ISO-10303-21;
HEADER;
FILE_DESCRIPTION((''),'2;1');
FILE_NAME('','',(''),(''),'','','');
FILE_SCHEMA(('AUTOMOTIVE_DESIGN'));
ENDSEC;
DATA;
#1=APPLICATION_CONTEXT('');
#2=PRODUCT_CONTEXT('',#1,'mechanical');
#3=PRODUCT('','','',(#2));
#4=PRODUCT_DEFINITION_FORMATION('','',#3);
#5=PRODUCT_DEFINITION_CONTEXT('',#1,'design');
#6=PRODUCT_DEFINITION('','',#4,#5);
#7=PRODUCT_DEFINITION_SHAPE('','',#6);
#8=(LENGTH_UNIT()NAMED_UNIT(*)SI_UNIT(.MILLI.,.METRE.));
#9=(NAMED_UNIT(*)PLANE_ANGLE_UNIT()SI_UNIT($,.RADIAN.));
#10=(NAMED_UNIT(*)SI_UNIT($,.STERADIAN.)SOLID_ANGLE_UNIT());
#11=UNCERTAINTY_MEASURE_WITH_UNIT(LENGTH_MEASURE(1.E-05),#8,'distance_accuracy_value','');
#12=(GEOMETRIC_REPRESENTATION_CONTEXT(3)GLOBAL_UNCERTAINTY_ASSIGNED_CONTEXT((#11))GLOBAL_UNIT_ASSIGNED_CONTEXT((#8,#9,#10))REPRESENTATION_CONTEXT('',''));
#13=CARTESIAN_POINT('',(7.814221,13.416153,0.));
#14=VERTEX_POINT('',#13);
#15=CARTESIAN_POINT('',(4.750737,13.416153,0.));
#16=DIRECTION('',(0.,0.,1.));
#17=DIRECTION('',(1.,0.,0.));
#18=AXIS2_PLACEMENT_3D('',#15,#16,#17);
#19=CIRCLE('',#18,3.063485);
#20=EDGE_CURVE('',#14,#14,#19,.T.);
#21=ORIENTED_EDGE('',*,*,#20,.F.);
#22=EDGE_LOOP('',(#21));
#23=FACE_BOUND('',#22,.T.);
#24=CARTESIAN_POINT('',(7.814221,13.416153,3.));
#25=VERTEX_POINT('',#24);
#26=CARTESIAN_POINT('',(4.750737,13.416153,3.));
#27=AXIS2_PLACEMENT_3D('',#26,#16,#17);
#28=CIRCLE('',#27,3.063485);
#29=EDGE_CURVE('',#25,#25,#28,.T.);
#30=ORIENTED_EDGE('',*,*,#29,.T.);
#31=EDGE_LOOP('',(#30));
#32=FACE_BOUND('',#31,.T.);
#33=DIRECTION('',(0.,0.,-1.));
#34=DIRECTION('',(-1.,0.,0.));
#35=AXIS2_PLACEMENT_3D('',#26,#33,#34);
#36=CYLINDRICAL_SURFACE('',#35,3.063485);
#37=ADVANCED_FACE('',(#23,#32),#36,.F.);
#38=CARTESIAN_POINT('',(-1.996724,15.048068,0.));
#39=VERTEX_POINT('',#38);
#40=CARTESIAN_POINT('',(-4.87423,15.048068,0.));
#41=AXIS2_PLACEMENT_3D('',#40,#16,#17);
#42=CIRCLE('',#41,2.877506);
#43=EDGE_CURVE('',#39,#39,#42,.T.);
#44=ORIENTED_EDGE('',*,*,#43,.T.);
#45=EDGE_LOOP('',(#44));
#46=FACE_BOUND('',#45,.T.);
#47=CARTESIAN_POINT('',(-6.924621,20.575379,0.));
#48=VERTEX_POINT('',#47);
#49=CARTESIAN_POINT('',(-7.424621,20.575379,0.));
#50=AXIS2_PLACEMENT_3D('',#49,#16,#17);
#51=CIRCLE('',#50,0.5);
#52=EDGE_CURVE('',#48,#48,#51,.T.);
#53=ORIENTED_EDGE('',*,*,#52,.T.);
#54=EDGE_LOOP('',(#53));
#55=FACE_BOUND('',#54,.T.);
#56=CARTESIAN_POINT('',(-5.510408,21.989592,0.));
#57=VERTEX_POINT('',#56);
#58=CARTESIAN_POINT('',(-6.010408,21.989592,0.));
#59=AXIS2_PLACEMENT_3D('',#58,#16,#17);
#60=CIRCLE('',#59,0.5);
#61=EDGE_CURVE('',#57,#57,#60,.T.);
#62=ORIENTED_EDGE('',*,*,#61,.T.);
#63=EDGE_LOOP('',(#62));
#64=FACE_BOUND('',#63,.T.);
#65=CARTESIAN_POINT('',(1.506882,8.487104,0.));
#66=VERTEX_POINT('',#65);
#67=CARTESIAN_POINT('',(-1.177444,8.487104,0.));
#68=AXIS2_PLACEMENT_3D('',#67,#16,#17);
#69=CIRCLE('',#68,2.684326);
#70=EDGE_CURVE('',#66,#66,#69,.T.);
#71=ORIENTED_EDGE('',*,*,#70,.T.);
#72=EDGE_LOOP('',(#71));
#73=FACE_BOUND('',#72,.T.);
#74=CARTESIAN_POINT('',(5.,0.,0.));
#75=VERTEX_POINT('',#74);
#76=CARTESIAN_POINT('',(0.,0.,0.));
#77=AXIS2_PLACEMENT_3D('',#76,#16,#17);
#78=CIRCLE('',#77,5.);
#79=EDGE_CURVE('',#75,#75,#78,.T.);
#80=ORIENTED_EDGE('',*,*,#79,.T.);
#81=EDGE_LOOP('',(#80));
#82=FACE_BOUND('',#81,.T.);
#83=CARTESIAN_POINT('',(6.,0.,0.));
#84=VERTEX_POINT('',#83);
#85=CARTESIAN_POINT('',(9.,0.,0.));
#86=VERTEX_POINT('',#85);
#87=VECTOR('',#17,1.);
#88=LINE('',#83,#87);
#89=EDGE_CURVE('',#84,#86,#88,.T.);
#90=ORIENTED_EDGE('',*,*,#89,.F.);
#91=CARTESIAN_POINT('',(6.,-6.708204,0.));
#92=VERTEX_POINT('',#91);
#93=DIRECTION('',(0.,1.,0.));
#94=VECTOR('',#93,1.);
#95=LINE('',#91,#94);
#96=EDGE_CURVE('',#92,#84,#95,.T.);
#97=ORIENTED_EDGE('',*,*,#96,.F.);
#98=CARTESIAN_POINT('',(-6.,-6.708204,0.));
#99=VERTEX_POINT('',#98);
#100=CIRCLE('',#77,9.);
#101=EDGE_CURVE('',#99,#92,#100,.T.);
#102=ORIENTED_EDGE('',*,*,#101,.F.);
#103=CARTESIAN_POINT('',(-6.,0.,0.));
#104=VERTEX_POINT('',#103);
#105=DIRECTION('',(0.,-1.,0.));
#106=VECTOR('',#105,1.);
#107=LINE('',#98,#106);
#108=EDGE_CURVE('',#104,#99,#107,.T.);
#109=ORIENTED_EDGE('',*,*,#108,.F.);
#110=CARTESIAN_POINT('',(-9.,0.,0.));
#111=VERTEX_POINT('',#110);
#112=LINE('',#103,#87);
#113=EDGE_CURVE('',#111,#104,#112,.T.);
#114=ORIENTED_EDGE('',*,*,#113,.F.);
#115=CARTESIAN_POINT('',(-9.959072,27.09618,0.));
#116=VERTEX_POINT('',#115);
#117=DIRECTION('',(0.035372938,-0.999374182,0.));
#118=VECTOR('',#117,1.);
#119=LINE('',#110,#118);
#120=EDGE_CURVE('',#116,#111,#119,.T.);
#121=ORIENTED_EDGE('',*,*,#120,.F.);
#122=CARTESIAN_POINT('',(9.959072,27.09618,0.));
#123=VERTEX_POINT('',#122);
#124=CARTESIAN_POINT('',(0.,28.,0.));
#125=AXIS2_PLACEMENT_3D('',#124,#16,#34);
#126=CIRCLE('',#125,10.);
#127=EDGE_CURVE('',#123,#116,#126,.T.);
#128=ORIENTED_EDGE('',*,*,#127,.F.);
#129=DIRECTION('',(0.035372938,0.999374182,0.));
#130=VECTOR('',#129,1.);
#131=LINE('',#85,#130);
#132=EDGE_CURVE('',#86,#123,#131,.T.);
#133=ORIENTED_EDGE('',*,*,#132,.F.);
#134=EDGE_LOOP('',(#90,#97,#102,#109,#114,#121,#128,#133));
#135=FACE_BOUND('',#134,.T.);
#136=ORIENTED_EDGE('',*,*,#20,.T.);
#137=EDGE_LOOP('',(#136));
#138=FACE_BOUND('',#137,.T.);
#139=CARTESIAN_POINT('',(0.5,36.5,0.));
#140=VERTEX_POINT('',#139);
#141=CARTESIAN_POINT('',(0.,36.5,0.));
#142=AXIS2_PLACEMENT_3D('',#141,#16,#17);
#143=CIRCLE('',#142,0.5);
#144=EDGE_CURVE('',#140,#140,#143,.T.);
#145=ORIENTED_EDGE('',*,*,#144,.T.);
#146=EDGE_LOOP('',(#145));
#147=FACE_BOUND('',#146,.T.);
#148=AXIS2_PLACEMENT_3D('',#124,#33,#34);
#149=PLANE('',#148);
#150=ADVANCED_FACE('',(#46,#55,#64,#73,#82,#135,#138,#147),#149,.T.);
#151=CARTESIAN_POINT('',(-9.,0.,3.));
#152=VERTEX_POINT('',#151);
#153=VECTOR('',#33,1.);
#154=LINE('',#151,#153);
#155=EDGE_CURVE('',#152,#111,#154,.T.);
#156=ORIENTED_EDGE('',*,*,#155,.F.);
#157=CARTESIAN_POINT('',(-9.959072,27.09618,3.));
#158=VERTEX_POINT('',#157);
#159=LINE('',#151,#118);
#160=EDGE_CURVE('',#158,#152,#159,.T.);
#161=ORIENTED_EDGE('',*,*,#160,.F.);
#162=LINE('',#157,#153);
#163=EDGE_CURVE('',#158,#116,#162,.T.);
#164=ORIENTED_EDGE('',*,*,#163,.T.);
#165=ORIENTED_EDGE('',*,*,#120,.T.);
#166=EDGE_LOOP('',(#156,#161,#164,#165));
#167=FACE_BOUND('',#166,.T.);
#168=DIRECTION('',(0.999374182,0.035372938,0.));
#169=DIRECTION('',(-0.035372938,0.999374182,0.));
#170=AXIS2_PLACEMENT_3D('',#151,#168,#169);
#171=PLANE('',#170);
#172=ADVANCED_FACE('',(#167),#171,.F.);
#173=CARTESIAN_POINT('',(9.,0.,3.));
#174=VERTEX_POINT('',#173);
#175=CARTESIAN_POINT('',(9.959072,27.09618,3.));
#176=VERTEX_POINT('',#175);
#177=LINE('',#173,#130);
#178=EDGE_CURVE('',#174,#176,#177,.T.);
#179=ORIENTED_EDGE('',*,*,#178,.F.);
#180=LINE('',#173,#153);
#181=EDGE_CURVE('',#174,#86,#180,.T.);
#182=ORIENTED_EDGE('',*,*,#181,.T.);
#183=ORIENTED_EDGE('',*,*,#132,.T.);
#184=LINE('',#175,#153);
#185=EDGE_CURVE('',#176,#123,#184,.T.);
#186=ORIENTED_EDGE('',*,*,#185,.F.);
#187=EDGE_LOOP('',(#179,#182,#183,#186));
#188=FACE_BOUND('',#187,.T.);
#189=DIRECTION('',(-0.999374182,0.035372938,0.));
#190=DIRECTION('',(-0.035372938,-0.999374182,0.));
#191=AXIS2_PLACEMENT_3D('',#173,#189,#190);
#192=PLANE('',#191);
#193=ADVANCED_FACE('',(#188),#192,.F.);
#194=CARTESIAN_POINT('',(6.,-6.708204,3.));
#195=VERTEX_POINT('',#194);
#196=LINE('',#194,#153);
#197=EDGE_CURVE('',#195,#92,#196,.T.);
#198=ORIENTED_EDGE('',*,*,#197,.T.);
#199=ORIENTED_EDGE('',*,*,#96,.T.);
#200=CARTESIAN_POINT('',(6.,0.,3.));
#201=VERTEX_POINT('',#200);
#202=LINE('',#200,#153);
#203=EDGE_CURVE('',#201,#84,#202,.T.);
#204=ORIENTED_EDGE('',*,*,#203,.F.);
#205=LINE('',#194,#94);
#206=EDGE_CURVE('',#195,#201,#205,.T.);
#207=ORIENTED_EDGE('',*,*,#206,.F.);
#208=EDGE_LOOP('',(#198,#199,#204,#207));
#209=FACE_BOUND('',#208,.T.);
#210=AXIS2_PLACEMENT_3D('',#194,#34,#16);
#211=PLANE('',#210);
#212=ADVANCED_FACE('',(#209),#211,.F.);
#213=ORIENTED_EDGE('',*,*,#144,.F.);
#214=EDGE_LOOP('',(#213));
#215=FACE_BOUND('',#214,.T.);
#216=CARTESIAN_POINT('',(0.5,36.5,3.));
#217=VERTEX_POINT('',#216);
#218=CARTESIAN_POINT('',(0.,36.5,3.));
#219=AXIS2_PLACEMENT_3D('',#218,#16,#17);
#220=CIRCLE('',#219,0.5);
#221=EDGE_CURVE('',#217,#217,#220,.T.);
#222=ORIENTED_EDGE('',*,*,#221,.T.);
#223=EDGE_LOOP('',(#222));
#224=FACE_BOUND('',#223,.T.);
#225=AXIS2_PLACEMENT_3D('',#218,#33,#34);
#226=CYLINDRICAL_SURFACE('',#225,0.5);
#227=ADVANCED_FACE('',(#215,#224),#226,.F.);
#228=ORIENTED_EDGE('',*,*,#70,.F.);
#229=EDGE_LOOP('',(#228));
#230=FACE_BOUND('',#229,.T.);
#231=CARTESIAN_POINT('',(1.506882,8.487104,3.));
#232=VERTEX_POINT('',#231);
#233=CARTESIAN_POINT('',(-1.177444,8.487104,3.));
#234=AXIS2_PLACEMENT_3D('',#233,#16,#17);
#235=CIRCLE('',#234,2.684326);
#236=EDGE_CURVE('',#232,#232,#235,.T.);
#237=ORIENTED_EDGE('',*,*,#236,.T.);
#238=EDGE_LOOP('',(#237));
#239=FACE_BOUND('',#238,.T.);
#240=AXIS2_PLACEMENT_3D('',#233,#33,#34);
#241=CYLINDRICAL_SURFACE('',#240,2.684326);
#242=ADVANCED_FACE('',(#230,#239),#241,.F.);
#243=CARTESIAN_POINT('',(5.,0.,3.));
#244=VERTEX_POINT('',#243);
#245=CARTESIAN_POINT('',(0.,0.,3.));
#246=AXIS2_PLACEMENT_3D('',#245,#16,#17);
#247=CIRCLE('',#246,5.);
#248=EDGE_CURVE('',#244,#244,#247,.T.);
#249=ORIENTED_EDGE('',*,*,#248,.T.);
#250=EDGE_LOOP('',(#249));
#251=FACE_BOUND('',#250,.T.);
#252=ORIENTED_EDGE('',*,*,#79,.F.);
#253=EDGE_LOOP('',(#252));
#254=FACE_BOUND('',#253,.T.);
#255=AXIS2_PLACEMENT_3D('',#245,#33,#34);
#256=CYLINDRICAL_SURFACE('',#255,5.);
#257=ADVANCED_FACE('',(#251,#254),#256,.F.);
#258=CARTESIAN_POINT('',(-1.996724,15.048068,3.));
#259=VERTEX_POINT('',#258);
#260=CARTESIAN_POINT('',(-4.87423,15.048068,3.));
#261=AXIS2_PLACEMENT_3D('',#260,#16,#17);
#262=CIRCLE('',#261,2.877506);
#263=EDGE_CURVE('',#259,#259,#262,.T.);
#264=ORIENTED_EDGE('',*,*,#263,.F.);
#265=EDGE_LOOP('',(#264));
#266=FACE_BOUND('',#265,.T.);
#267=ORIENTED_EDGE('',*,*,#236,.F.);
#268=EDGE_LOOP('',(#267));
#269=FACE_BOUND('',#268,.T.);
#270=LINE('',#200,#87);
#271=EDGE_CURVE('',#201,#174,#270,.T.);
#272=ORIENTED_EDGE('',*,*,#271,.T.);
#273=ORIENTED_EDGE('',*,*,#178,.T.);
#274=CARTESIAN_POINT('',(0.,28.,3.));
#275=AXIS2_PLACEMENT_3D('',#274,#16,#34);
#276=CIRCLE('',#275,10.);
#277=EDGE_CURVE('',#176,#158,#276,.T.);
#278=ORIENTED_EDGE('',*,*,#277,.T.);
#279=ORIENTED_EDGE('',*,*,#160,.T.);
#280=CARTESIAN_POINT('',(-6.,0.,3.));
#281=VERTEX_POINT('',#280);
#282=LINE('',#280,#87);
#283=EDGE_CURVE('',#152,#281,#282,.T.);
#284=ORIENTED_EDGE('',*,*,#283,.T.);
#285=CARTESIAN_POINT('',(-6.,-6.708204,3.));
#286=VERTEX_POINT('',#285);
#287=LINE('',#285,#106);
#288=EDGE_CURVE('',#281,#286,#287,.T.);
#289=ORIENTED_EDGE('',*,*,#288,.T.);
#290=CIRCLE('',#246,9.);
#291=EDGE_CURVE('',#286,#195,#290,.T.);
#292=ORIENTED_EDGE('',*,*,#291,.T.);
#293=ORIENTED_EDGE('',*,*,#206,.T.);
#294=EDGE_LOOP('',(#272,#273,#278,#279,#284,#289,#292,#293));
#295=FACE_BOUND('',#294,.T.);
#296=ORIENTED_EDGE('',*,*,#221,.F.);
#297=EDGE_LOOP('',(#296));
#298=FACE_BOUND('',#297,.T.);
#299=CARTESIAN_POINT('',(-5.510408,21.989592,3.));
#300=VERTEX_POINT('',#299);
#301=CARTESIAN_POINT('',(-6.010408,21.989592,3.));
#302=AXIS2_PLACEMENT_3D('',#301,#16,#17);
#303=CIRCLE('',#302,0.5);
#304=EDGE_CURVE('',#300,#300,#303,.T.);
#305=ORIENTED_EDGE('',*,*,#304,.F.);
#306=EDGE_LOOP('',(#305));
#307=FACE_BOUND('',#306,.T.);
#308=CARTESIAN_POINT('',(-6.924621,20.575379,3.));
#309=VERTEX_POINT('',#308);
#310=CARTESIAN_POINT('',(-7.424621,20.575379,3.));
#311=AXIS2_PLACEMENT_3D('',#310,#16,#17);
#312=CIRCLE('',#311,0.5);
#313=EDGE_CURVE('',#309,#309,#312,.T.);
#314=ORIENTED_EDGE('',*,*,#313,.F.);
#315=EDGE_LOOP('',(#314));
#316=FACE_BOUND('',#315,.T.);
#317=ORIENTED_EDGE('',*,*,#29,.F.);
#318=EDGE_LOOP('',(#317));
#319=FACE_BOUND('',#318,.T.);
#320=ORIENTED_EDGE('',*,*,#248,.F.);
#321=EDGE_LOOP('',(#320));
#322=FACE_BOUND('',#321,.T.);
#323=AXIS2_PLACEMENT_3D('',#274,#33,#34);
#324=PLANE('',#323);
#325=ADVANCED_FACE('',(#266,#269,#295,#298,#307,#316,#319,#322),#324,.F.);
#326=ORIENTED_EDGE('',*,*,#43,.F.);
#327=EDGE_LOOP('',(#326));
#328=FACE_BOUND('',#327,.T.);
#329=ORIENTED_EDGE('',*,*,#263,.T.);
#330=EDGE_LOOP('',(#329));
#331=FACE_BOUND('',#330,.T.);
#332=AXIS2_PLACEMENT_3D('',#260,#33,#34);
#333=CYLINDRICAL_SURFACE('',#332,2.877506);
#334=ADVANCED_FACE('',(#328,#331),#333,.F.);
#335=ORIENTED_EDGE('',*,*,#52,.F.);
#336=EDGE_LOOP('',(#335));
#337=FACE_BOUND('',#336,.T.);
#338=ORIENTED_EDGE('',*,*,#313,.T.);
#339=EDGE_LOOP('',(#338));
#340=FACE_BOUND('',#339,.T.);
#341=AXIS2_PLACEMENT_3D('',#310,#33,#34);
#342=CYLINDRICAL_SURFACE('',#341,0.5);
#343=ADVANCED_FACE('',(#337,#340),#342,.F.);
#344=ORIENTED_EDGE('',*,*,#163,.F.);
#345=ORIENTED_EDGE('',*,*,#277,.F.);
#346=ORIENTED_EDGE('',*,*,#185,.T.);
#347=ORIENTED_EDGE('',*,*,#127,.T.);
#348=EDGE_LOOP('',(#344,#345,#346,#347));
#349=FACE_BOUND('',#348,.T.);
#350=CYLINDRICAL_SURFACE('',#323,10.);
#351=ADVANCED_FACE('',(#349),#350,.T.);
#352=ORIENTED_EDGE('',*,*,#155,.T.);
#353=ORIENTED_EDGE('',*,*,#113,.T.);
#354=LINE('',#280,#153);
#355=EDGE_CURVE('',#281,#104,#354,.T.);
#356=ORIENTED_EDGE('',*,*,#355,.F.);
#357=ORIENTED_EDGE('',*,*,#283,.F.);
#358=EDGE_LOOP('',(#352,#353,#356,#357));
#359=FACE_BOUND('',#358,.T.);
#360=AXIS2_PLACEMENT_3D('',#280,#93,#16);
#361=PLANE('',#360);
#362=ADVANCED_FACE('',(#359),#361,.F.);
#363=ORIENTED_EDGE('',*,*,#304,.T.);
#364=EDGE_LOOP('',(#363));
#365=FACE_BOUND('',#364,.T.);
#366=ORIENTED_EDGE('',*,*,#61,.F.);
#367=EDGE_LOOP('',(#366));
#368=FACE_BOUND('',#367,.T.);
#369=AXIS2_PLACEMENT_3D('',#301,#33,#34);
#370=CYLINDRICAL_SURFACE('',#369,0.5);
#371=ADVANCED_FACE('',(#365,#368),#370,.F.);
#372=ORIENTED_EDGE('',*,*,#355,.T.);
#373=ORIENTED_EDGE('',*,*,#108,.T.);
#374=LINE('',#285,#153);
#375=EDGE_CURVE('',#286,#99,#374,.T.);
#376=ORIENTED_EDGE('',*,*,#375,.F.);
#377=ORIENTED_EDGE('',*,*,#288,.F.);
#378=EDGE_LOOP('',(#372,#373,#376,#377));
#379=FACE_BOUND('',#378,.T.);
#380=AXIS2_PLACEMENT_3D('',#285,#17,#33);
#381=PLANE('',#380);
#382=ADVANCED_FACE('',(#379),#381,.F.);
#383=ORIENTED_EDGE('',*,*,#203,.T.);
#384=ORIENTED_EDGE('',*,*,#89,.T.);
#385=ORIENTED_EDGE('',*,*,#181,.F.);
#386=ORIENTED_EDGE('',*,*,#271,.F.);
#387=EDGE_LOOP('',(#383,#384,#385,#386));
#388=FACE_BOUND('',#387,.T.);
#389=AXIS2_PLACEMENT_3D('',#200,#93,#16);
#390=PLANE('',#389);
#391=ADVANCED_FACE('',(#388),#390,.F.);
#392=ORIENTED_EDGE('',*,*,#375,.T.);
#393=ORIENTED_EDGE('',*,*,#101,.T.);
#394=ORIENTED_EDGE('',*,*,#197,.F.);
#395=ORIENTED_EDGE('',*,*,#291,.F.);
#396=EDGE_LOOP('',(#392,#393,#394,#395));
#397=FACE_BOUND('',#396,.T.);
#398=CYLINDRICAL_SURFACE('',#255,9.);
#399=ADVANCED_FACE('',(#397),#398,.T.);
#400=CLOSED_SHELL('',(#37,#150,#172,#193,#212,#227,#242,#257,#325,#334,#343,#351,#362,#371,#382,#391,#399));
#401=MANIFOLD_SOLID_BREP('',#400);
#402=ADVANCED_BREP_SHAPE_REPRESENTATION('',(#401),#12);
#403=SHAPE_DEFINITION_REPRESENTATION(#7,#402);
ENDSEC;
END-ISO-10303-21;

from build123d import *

# Parameters (mm, degrees)
ESQUISSE1_R        = 5
ESQUISSE1_R_2      = 2.877506478
ESQUISSE1_R_3      = 3.063484505
ESQUISSE1_R_4      = 2.684325632
ESQUISSE1_R_5      = 0.5
BOSS_EXTRU_1_DEPTH = 3


with BuildPart() as part:
    # Esquisse1 → Boss.-Extru.1 (new body)
    with BuildSketch(Plane.XY):
        with BuildLine():
            Line((6, -6.708203932), (6, 0))
            Line((6, 0), (9, 0))
            Line((9, 0), (9.959071707, 27.096179922))
            ThreePointArc((9.959071707, 27.096179922), (0, 38), (-9.959071707, 27.096179922))
            Line((-9.959071707, 27.096179922), (-9, 0))
            Line((-9, 0), (-6, 0))
            Line((-6, 0), (-6, -6.708203932))
            ThreePointArc((-6, -6.708203932), (0, -9), (6, -6.708203932))
        make_face()
        Circle(ESQUISSE1_R, mode=Mode.SUBTRACT)
        with Locations((-4.874230419, 15.048067775)):
            Circle(ESQUISSE1_R_2, mode=Mode.SUBTRACT)
        with Locations((4.750736526, 13.416152965)):
            Circle(ESQUISSE1_R_3, mode=Mode.SUBTRACT)
        with Locations((-1.177443807, 8.487104148)):
            Circle(ESQUISSE1_R_4, mode=Mode.SUBTRACT)
        with Locations((-7.424621202, 20.575378798)):
            Circle(ESQUISSE1_R_5, mode=Mode.SUBTRACT)
        with Locations((-6.01040764, 21.98959236)):
            Circle(ESQUISSE1_R_5, mode=Mode.SUBTRACT)
        with Locations((0, 36.5)):
            Circle(ESQUISSE1_R_5, mode=Mode.SUBTRACT)
    extrude(amount=BOSS_EXTRU_1_DEPTH)


solid = part.part
